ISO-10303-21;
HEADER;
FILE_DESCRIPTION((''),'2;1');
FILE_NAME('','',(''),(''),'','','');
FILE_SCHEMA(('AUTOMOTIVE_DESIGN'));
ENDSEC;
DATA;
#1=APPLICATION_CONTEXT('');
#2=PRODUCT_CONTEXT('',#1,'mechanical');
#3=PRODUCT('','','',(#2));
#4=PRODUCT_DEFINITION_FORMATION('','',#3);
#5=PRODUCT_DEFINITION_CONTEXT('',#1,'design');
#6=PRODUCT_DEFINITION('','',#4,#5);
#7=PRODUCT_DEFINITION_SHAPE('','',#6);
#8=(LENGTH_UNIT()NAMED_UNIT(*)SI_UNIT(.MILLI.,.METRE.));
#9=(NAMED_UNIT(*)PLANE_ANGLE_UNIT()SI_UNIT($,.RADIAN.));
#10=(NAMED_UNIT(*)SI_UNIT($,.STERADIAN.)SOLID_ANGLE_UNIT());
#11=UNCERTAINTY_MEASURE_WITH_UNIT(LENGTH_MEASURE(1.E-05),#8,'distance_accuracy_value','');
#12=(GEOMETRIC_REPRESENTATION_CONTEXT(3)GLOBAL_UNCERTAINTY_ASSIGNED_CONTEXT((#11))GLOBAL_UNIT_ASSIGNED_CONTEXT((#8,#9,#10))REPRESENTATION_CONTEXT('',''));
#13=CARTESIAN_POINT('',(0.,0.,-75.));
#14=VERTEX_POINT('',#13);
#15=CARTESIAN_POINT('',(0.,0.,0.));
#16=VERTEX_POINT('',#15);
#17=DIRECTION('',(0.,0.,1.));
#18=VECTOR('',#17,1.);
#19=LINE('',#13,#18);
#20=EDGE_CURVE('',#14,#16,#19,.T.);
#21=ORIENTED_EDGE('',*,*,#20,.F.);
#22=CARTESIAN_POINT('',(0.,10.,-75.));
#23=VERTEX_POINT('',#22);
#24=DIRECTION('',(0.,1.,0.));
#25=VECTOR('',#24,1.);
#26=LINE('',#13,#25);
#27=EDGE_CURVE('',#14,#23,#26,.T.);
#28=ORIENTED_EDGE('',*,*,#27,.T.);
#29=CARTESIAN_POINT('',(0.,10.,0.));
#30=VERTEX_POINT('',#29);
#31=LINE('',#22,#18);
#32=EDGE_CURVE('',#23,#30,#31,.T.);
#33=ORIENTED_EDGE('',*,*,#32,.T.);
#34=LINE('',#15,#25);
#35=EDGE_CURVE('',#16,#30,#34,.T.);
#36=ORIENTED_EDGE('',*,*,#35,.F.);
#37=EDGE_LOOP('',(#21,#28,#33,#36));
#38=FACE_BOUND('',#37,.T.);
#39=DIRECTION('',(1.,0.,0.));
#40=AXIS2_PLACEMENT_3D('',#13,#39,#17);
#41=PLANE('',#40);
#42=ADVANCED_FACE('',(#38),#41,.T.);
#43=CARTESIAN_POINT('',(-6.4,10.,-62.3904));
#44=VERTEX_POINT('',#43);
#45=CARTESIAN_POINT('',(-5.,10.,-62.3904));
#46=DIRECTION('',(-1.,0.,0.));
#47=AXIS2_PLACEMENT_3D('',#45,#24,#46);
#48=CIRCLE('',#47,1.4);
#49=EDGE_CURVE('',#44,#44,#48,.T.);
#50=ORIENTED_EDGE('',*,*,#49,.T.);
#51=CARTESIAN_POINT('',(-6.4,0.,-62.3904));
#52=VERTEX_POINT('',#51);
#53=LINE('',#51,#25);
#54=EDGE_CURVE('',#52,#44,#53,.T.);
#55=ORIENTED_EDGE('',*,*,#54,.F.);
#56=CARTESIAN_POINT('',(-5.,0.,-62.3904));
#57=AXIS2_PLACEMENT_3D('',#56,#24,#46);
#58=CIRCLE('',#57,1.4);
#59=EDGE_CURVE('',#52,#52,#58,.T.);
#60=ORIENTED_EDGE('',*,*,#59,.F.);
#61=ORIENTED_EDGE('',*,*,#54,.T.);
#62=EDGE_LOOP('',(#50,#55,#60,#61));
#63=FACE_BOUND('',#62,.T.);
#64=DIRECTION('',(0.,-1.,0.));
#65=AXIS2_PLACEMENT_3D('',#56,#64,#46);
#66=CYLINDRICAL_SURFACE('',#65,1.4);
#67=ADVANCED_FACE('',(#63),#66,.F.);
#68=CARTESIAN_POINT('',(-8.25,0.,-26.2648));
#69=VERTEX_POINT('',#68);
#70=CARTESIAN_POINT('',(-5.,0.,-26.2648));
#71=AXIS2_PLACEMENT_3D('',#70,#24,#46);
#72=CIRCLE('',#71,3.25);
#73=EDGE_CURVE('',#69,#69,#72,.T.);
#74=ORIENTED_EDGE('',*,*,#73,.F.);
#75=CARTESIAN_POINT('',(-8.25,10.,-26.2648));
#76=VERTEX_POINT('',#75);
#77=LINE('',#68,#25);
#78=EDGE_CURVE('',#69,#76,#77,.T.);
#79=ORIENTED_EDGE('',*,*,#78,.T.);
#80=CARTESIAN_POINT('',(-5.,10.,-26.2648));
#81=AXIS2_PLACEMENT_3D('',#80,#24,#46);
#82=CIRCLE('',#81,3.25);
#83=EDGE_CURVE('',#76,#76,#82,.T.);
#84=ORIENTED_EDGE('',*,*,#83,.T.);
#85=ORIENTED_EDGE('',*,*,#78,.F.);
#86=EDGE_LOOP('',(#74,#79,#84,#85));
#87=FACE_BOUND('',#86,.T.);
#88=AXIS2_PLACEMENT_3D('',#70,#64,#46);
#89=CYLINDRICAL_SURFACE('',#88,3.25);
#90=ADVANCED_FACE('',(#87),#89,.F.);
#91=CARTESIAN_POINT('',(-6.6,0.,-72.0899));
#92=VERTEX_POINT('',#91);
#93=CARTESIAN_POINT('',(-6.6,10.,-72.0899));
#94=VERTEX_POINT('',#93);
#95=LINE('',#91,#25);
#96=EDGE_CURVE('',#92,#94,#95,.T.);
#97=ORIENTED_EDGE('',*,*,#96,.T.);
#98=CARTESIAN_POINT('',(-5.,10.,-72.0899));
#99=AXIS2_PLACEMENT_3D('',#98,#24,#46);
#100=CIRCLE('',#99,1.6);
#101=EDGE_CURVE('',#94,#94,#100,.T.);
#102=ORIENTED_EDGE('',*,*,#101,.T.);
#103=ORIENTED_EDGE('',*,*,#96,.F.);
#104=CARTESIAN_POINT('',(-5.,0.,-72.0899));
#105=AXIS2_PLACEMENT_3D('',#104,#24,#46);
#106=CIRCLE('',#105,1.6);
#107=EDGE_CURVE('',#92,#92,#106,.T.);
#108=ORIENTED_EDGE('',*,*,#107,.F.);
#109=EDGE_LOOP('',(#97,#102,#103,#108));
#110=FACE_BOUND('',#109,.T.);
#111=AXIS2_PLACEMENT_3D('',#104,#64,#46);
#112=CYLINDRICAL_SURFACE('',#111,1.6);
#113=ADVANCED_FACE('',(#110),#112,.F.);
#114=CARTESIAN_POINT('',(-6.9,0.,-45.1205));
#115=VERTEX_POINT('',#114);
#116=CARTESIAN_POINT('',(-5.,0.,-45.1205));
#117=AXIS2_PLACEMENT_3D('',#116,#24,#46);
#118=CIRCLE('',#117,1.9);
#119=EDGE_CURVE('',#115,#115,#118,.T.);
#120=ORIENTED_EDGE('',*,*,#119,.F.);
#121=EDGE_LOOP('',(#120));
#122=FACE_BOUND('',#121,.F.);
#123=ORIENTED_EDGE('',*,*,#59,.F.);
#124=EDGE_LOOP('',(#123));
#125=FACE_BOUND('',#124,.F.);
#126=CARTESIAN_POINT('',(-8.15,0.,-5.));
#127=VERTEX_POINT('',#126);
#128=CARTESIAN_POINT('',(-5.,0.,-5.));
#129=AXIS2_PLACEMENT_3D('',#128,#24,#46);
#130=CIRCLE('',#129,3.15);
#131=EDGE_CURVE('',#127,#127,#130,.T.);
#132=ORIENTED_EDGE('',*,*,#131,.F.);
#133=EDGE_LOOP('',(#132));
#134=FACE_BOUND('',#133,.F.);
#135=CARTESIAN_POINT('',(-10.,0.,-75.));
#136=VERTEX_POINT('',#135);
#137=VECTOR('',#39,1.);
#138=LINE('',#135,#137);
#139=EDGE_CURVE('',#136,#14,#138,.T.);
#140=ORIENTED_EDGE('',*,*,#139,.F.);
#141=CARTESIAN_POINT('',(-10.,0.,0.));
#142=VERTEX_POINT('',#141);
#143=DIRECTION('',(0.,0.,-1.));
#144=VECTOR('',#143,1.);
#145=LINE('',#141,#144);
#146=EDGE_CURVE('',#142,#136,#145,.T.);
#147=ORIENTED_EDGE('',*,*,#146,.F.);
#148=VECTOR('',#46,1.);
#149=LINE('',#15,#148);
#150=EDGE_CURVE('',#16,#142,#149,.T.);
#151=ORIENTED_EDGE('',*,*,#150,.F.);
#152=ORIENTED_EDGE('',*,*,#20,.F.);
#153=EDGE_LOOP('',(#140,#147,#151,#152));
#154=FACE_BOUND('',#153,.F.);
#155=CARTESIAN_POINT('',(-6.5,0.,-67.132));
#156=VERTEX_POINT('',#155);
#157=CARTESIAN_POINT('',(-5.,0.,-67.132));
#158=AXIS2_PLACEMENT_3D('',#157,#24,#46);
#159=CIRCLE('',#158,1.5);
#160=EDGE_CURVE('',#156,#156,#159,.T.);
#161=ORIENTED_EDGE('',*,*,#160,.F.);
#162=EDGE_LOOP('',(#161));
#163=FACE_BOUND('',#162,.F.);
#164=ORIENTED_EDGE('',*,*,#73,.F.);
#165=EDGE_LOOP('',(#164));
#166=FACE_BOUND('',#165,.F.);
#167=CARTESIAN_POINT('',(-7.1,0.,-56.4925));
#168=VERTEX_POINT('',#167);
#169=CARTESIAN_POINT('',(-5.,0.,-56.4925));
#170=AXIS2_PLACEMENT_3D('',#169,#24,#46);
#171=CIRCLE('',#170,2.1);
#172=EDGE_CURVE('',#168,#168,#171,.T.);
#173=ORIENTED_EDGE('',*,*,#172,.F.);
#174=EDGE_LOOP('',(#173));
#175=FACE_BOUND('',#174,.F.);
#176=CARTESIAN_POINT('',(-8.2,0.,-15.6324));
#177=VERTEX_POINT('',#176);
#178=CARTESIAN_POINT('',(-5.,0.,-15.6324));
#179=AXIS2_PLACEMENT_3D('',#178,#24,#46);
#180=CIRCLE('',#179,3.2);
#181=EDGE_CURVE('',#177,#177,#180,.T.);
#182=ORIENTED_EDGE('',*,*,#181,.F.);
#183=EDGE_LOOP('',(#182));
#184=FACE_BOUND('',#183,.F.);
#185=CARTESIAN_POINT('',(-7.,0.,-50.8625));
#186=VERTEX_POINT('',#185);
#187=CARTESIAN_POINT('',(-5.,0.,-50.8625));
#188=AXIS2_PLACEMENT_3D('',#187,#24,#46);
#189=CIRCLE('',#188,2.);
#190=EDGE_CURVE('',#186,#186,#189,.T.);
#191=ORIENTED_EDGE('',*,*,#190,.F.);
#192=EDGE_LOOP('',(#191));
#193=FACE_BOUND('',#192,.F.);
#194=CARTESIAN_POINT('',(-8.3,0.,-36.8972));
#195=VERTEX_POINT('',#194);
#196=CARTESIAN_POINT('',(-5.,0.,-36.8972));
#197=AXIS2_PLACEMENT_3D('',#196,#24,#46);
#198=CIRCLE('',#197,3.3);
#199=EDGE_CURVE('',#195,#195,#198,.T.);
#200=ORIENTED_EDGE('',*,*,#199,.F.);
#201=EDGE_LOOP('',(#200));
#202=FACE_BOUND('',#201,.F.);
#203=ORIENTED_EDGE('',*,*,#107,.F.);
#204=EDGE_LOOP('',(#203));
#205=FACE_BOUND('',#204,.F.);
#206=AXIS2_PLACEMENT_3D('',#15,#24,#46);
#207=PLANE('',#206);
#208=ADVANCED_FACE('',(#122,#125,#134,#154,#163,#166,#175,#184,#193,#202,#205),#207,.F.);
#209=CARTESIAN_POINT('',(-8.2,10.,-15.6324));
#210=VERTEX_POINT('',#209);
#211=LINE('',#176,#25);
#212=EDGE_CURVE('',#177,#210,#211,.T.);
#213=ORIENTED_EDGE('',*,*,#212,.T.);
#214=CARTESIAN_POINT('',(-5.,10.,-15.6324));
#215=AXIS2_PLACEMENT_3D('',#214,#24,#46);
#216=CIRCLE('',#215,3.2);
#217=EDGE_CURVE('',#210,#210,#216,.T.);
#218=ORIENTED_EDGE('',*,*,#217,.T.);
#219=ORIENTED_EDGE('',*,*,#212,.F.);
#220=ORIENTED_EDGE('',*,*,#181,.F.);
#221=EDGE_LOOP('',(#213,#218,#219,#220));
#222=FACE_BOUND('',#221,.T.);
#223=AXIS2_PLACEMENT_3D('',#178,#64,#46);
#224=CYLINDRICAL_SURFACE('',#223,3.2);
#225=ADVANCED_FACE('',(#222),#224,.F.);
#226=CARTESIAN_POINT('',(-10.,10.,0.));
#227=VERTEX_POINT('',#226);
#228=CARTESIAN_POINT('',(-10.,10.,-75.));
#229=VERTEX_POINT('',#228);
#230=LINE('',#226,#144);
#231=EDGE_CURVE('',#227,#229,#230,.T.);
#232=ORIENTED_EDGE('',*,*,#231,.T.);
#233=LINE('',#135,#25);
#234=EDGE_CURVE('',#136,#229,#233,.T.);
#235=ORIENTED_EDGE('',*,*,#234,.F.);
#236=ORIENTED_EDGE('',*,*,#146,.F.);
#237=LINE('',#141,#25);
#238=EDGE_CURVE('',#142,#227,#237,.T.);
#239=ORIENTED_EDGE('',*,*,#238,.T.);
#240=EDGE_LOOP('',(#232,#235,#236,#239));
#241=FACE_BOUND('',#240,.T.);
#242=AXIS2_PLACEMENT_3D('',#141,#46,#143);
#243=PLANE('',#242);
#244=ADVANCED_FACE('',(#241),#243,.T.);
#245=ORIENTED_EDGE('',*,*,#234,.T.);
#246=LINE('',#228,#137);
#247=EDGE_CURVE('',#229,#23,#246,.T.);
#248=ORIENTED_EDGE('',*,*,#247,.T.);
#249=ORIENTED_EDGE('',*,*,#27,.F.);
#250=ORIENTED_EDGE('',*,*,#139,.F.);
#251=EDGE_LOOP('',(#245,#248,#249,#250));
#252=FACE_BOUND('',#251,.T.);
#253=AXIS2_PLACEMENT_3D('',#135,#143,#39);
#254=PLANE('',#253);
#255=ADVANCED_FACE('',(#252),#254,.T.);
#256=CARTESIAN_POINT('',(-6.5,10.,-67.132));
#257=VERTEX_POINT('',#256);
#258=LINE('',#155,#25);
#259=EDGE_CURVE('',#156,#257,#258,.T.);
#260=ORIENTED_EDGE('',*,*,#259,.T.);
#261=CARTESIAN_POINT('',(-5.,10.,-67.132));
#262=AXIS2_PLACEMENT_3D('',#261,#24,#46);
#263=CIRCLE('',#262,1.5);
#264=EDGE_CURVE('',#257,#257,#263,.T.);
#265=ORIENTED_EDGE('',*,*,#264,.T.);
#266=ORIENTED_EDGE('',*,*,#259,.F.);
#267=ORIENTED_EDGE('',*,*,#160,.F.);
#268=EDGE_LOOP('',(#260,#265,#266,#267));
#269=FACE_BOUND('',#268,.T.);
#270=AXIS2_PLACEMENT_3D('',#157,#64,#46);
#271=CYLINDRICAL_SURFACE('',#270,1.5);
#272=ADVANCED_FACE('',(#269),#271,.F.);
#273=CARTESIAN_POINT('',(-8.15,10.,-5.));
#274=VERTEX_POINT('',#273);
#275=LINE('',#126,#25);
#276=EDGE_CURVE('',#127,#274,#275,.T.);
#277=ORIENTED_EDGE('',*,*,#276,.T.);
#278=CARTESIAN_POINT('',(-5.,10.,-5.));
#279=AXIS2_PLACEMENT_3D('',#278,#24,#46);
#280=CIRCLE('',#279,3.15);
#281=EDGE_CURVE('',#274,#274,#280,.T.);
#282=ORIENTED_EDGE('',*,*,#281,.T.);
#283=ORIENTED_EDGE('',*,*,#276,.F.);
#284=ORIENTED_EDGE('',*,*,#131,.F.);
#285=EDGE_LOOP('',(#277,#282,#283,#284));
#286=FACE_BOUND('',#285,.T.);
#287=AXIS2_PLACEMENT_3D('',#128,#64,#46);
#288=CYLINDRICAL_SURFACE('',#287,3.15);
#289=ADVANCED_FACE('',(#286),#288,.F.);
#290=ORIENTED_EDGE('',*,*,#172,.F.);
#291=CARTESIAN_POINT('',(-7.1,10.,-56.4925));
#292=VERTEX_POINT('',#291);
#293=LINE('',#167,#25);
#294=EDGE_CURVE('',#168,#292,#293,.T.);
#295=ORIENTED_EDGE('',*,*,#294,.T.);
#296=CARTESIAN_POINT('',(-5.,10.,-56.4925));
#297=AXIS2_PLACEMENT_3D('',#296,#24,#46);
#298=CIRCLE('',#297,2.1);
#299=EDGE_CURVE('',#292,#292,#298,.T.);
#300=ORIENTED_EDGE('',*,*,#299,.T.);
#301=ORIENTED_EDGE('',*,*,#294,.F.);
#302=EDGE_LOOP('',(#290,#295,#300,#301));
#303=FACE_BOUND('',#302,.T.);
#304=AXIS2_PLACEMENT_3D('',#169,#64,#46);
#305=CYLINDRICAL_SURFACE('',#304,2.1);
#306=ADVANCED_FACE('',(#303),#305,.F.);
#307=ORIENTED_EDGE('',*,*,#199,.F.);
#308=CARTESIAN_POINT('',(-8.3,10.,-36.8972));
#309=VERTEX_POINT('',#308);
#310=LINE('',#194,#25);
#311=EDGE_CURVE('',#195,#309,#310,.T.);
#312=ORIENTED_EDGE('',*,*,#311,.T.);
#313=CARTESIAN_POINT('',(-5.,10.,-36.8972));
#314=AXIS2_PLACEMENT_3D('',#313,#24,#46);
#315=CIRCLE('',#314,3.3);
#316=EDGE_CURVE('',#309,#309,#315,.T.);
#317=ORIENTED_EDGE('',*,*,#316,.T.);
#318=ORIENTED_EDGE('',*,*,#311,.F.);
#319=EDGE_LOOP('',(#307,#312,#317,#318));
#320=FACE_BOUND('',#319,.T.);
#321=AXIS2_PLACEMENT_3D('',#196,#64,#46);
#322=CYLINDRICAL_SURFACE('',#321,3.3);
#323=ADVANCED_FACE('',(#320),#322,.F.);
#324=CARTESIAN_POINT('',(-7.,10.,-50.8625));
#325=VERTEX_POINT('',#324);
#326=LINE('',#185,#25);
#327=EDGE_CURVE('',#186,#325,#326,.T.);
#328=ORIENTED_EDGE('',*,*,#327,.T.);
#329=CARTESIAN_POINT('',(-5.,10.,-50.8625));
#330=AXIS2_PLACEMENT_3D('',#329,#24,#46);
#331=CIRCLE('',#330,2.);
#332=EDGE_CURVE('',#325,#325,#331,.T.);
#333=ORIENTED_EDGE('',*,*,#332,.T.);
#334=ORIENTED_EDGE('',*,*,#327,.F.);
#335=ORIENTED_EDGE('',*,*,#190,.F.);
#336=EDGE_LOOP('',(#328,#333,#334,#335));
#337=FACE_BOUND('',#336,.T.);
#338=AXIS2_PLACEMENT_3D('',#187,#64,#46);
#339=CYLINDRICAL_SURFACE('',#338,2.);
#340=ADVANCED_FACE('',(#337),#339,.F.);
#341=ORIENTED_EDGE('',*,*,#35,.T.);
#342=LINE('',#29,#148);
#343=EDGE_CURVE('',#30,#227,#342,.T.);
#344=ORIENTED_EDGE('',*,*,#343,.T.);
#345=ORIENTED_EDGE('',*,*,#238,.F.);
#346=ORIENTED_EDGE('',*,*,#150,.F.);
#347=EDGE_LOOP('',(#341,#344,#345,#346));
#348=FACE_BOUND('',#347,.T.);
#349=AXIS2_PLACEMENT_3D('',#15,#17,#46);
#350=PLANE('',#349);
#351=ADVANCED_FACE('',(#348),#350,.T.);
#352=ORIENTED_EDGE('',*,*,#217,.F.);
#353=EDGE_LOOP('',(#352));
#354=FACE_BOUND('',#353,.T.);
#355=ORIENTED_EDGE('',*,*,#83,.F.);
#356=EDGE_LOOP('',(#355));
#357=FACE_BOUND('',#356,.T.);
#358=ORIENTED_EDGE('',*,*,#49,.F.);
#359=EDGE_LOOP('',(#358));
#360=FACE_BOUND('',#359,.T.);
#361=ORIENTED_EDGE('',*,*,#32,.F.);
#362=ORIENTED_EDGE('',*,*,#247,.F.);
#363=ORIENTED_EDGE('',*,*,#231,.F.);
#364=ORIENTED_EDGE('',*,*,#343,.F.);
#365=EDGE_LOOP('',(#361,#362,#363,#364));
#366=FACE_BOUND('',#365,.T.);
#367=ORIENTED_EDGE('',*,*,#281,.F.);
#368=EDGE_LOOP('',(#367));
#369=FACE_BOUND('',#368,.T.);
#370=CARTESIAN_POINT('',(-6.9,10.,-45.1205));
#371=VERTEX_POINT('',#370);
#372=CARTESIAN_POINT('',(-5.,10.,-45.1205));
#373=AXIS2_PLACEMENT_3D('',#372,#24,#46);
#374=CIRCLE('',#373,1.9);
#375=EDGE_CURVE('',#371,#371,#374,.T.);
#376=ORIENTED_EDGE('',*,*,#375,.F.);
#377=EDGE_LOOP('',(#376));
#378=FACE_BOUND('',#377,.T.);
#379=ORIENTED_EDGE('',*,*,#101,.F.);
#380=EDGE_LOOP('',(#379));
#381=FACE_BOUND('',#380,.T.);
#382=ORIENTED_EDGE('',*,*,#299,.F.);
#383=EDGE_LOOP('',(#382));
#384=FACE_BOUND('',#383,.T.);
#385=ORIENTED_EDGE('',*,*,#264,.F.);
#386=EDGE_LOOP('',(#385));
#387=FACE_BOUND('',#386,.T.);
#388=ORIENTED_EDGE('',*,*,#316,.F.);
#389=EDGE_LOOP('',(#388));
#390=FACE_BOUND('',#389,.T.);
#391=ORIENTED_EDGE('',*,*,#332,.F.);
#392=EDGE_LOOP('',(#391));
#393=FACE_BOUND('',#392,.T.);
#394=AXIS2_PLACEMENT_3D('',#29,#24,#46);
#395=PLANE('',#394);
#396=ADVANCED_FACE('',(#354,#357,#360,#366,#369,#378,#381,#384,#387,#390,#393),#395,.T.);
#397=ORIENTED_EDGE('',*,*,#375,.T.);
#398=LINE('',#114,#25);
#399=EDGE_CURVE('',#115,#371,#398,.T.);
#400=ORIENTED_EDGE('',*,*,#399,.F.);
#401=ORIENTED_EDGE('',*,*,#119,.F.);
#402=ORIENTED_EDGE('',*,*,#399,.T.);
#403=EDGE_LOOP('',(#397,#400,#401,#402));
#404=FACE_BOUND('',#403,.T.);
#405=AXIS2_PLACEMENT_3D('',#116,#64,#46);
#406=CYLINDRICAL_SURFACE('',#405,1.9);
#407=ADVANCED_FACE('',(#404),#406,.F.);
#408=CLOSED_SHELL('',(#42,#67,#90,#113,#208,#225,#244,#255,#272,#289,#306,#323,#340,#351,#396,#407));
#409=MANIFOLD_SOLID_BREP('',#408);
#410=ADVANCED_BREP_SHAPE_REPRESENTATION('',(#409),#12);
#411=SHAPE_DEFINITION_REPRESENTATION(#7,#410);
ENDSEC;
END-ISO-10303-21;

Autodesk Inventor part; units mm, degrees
ref_plane "YZ Plane" through (0, 0, 0) normal (1, 0, 0) x (0, 1, 0)
ref_plane "XZ Plane" through (0, 0, 0) normal (0, 1, 0) x (-1, 0, 0)
ref_plane "XY Plane" through (0, 0, 0) normal (0, 0, 1) x (1, 0, 0)
sketch "Szkic1" plane through (0, 0, 0) normal (0, 1, 0) x (-1, 0, 0)
  line L0 (0, 0) -> (10, 0)
  line L1 (10, 0) -> (10, -75)
  line L2 (10, -75) -> (0, -75)
  line L3 (0, -75) -> (0, 0)
  circle A0 centre (5, -5) radius 3.15
  circle A1 centre (5, -15.6324) radius 3.2
  circle A2 centre (5, -26.2648) radius 3.25
  circle A3 centre (5, -36.8972) radius 3.3
  line L4 (5, -5) -> (5, -15.6324) construction
  line L5 (5, -15.6324) -> (5, -26.2648) construction
  line L6 (5, -26.2648) -> (5, -36.8972) construction
  circle A4 centre (5, -45.1205) radius 1.9
  circle A5 centre (5, -56.4925) radius 2.1
  circle A6 centre (5, -50.8625) radius 2
  circle A7 centre (5, -62.3904) radius 1.4
  circle A8 centre (5, -67.132) radius 1.5
  circle A9 centre (5, -72.0899) radius 1.6
  line L7 (5, -36.8972) -> (5, -75) construction
  dimension "d0" = 10
  dimension "d1" = 75
  dimension "d2" = 6.3
  dimension "d3" = 6.4
  dimension "d4" = 6.5
  dimension "d5" = 6.6
  dimension "d6" = 5
  dimension "d7" = 3.8
  dimension "d8" = 4.2
  dimension "d9" = 4
  dimension "d12" = 2.8
  dimension "d13" = 3
  dimension "d14" = 3.2
extrude "Wyciągnięcie proste1" add sketch "Szkic1" along normal blind 10
properties part number "test_print"
